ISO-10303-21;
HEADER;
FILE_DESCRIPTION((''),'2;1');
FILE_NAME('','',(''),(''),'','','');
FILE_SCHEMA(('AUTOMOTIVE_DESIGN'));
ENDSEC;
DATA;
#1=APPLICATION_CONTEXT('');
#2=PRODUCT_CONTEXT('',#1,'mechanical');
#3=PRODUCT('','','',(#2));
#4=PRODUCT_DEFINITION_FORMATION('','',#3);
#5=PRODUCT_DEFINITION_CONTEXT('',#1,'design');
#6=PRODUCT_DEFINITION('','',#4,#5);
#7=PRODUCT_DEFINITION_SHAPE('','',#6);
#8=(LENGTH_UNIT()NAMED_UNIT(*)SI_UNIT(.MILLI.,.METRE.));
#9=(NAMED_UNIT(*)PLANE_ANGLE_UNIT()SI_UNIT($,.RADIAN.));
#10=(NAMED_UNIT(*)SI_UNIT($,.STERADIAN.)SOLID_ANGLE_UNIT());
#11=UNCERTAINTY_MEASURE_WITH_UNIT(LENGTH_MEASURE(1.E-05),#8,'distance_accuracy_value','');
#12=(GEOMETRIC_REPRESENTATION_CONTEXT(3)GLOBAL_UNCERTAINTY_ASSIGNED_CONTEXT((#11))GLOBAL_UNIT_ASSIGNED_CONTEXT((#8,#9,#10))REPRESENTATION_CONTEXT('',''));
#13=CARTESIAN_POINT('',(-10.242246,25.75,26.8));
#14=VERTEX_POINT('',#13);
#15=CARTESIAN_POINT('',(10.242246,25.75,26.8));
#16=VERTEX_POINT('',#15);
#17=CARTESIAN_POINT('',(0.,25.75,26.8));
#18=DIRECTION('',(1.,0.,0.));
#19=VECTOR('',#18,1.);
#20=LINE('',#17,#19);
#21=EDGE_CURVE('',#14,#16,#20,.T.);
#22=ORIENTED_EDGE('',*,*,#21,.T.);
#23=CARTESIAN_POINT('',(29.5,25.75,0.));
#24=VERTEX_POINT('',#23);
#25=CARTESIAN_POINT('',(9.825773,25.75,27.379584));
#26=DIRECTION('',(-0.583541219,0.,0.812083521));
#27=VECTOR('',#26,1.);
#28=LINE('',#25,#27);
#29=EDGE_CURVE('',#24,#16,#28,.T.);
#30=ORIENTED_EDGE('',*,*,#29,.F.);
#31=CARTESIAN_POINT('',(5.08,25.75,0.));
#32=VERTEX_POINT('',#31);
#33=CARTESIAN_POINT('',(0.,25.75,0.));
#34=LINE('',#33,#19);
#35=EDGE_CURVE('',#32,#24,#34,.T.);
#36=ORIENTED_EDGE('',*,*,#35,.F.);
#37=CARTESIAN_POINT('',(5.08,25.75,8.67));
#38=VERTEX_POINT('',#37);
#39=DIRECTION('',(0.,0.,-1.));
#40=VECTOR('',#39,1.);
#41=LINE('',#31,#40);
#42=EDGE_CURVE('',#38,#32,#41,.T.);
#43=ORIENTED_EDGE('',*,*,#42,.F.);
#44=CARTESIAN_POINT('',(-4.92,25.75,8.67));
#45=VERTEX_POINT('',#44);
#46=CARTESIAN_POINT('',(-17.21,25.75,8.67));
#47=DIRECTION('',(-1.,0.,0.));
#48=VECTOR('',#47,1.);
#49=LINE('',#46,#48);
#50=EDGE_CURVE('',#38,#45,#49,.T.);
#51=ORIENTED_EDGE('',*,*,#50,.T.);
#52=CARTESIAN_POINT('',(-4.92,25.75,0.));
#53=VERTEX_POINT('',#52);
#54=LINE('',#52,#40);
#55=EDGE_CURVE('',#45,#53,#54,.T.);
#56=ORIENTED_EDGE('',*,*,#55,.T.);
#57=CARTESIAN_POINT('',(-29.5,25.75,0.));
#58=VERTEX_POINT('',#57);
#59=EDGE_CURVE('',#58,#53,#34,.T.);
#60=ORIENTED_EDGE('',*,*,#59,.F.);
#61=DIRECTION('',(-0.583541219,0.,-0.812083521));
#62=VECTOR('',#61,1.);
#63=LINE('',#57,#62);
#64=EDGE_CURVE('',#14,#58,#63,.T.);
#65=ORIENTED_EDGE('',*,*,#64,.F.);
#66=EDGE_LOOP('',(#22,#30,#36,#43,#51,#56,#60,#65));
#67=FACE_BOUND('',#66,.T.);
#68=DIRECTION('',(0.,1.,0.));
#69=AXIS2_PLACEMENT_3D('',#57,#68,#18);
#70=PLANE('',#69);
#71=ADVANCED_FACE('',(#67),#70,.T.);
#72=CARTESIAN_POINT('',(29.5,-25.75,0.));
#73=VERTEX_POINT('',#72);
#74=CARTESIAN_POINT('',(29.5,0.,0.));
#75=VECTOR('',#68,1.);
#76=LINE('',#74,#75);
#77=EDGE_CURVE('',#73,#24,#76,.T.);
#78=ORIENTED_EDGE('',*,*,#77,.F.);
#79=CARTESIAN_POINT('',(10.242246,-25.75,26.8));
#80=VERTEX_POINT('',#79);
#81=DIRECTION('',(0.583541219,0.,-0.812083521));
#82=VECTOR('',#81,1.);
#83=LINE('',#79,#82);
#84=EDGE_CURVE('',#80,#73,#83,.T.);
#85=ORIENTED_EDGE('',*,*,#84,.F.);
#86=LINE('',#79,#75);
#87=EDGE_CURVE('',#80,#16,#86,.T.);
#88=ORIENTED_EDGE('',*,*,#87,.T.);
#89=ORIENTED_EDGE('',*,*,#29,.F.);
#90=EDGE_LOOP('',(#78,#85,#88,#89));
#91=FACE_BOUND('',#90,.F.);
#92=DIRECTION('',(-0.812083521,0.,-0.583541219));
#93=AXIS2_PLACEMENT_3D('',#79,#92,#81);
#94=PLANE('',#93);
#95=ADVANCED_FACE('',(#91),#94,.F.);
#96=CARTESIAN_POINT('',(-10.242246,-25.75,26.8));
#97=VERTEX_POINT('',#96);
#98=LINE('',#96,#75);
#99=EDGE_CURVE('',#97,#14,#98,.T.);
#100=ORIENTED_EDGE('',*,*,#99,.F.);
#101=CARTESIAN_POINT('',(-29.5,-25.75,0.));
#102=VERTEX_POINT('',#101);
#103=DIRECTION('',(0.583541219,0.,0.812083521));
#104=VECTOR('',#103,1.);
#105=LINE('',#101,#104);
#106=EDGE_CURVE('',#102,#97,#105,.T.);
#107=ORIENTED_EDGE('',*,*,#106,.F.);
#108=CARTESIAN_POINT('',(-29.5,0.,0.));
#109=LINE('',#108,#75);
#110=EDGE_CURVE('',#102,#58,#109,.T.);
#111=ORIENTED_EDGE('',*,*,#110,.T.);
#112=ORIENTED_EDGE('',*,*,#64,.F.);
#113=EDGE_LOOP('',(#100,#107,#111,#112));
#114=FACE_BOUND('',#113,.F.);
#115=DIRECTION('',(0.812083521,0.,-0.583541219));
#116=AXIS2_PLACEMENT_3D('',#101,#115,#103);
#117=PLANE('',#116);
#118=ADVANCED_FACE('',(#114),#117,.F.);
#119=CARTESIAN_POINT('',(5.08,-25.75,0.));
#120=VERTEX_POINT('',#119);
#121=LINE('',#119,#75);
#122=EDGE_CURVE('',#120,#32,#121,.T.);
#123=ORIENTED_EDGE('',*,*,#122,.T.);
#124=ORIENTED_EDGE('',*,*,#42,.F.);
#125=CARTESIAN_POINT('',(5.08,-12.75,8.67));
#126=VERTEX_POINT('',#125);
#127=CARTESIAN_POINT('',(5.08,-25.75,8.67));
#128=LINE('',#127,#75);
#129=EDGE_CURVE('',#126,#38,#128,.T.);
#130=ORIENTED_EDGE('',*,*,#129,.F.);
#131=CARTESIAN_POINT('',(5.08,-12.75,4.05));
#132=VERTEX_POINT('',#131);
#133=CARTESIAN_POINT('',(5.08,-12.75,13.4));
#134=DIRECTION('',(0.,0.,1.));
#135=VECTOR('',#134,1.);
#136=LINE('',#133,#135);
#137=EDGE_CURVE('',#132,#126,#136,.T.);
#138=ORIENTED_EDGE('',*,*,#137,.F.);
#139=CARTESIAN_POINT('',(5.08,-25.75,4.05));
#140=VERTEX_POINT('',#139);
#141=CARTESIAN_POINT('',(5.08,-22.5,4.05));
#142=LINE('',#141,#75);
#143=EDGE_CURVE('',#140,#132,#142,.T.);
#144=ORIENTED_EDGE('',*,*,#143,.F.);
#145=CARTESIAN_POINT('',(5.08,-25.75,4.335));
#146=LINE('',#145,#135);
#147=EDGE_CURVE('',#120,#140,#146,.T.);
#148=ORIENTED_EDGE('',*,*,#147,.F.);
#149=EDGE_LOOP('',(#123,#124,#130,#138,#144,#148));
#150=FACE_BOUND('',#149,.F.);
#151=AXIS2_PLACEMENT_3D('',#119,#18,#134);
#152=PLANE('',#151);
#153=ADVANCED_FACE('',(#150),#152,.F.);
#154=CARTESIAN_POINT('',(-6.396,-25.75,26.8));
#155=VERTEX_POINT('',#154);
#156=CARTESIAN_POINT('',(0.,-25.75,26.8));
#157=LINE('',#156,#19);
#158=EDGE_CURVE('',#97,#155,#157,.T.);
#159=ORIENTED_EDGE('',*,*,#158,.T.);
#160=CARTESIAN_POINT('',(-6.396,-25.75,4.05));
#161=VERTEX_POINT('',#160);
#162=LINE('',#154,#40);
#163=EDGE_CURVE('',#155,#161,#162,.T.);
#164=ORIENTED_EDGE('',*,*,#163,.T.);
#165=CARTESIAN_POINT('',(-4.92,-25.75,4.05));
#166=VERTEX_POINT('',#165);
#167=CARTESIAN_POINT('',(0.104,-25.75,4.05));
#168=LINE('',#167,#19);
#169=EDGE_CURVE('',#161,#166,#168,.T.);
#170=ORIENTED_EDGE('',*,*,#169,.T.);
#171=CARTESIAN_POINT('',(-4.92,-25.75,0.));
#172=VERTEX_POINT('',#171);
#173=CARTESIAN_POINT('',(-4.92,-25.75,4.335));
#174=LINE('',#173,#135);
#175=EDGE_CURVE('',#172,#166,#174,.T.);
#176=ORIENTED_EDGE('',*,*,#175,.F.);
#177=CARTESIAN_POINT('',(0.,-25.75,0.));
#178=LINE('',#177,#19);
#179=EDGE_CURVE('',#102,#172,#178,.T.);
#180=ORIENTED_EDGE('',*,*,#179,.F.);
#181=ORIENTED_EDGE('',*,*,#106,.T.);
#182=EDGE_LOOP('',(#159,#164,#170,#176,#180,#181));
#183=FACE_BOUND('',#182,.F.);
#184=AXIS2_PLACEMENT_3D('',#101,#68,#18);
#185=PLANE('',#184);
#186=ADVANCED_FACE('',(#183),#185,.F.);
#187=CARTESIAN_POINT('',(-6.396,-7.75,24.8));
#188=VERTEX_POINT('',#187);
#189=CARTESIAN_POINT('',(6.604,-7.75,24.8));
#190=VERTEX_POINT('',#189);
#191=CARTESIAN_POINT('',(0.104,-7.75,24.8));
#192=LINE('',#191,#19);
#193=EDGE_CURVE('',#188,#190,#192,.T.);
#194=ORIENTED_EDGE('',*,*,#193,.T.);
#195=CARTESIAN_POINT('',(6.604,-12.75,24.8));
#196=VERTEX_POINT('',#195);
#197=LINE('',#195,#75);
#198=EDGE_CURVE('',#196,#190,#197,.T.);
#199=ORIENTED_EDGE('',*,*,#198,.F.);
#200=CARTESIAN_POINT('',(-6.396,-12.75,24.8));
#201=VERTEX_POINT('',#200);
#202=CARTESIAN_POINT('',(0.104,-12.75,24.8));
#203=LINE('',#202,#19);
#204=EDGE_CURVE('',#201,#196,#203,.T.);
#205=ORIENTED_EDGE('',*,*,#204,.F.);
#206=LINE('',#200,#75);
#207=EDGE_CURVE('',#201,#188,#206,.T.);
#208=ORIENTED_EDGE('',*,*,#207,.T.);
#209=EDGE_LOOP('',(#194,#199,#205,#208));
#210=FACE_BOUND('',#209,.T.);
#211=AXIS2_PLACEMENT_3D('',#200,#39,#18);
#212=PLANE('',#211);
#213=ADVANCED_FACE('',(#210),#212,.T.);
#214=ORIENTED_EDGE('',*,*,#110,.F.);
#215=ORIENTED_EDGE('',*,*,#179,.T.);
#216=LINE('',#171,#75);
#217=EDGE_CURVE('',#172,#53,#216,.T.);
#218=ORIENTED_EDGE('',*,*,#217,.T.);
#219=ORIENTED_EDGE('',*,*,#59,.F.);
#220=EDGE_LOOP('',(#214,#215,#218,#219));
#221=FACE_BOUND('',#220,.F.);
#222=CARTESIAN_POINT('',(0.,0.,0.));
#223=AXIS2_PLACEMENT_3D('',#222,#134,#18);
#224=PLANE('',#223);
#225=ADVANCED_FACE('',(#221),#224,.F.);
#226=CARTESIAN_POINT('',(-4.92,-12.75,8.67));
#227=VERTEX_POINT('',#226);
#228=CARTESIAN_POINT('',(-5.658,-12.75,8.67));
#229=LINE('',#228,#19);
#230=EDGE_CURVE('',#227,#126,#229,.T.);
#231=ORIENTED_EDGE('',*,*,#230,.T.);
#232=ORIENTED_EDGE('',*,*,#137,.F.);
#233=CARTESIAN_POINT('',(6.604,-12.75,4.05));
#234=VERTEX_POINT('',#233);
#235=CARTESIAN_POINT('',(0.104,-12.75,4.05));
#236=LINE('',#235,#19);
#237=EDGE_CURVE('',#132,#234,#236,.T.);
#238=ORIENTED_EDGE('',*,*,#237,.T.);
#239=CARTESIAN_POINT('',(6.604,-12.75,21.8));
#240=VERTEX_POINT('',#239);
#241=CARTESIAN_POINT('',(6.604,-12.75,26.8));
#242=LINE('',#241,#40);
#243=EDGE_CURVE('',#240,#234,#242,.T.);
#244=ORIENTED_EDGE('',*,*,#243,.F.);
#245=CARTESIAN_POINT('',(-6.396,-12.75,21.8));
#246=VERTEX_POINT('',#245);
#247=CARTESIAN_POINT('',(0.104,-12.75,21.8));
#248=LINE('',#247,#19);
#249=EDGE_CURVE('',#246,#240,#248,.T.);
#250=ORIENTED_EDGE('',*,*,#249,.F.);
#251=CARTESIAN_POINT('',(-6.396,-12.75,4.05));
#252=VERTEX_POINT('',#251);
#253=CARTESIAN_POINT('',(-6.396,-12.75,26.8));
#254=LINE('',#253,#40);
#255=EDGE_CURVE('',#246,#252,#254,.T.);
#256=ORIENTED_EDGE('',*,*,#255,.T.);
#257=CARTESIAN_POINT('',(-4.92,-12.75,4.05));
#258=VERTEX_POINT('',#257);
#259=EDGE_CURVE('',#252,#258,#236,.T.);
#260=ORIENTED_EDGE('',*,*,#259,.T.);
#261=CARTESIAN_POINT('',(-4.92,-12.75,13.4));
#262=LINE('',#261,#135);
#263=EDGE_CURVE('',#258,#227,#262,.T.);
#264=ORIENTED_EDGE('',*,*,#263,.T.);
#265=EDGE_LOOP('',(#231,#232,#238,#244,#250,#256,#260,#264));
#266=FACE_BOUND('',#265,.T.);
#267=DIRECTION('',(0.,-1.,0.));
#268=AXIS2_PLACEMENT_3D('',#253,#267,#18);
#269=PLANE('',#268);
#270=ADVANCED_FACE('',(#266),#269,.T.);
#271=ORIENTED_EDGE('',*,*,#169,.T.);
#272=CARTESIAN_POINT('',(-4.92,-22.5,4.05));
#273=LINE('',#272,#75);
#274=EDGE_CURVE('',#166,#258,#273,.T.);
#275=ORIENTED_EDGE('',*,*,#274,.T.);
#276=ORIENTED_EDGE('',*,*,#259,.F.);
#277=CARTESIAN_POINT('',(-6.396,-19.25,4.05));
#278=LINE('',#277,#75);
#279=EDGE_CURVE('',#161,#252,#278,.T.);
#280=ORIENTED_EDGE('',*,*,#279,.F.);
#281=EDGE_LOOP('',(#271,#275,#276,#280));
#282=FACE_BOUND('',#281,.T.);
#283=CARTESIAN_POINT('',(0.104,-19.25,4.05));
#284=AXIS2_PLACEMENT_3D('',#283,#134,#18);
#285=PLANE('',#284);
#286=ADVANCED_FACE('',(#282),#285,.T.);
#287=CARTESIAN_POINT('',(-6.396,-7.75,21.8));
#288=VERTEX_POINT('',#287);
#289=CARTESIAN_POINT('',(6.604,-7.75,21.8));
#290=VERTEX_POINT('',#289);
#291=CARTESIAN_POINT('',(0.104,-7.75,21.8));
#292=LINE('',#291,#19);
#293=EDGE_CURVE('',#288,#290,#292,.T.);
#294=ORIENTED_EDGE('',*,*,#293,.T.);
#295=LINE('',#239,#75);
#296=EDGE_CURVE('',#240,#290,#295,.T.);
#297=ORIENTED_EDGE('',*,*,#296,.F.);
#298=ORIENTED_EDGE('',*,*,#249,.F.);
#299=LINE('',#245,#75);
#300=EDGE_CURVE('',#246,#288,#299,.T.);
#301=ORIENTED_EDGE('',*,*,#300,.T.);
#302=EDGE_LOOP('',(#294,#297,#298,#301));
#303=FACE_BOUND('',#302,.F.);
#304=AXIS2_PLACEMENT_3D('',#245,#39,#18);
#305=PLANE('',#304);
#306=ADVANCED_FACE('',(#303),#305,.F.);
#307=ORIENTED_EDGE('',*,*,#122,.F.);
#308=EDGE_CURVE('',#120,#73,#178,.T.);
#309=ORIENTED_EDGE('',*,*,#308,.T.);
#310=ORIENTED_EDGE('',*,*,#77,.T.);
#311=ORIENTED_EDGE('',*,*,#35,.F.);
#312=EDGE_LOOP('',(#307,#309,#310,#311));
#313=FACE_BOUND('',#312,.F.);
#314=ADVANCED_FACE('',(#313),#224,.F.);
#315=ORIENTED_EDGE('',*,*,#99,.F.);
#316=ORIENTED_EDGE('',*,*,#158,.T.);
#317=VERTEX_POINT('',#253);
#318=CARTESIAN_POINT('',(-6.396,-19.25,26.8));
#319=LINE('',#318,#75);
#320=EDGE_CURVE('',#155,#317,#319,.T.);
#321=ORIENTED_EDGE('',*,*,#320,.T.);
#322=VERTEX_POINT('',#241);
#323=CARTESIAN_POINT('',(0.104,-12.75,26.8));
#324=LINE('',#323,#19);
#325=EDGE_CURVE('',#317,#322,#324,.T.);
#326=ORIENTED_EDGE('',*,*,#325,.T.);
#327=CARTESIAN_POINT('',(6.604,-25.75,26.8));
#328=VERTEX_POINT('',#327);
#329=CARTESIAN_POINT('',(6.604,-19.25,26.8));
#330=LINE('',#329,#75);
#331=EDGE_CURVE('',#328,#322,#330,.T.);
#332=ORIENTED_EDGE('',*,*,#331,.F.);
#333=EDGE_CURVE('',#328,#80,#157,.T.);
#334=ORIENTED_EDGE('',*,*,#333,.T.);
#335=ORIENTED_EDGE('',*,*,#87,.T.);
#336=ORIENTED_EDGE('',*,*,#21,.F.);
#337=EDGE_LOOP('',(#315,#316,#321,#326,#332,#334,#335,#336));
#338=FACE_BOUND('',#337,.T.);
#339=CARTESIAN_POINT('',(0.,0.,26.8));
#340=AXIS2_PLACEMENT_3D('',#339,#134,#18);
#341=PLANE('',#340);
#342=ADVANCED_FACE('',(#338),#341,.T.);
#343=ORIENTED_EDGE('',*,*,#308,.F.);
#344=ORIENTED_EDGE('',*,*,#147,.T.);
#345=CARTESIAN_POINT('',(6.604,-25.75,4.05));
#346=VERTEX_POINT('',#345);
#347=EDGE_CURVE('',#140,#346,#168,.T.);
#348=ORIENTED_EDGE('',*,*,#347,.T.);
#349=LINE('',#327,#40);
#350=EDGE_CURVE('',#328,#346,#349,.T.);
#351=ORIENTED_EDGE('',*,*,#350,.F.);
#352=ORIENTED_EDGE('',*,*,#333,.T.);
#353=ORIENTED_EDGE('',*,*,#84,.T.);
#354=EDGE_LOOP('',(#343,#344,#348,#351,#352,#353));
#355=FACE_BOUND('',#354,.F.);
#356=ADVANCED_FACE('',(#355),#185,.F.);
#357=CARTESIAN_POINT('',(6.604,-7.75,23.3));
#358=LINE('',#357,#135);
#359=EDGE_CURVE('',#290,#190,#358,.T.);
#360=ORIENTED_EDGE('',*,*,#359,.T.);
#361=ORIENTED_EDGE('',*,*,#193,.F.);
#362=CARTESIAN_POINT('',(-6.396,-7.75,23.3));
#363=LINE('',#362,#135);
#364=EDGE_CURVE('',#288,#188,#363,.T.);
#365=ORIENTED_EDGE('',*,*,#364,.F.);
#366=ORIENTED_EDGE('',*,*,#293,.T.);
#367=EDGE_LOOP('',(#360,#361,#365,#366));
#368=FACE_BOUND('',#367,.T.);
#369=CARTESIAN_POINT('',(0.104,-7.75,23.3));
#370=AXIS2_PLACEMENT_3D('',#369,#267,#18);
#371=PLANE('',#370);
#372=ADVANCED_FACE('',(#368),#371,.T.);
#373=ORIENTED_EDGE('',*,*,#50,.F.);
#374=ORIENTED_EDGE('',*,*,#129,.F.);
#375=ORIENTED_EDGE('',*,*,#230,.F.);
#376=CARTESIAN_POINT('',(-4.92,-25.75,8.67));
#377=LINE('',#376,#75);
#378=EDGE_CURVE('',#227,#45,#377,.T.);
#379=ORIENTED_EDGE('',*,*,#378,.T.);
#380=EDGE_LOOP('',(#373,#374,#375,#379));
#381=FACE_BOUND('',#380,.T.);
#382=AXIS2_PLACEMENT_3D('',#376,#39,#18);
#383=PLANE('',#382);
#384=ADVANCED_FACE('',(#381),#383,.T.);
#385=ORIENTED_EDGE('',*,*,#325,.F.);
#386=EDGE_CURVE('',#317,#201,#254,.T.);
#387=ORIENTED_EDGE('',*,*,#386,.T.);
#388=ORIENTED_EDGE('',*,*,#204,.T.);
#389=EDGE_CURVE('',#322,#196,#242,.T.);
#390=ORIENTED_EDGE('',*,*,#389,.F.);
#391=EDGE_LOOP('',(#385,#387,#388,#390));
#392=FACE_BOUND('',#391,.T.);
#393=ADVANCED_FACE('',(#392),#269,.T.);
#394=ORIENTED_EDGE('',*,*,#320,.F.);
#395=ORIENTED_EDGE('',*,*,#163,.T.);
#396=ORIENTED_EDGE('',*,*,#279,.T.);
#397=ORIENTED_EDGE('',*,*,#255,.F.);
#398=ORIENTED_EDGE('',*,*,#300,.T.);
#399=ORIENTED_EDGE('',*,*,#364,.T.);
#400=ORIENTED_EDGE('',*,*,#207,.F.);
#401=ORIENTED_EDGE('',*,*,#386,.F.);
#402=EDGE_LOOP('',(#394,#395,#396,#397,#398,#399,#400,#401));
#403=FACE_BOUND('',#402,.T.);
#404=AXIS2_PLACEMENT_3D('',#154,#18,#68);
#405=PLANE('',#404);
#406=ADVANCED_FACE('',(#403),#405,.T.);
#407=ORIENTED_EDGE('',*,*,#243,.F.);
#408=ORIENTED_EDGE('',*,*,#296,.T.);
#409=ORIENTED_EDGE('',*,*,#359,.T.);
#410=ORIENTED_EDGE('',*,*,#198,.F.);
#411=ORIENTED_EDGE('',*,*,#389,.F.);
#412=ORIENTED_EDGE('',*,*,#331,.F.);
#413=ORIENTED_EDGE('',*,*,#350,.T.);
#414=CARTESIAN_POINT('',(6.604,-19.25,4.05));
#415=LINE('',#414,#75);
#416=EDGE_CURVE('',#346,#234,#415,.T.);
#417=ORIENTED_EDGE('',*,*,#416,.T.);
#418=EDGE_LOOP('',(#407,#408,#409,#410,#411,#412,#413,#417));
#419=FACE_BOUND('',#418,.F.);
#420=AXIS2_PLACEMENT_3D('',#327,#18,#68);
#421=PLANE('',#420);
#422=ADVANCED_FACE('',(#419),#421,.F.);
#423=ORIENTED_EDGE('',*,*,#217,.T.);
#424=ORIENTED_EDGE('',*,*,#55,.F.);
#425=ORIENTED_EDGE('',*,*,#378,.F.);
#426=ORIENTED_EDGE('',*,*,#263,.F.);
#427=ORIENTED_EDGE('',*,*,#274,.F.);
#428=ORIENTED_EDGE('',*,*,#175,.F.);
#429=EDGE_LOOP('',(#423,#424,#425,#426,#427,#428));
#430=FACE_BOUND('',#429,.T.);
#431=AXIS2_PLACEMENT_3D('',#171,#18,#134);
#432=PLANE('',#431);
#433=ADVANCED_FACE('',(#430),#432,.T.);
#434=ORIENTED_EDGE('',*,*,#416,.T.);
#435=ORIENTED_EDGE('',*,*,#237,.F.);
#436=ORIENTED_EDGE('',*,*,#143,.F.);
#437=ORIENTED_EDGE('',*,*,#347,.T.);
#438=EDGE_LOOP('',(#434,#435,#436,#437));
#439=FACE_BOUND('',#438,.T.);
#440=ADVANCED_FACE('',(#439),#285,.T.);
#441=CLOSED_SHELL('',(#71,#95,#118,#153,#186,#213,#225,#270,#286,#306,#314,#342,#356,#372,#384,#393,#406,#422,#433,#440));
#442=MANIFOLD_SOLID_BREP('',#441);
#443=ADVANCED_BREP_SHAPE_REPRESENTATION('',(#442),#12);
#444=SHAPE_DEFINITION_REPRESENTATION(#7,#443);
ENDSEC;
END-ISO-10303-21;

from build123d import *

# Parameters (mm, degrees)
F0_W      = 59
F0_H      = 51.5
F1_DEPTH  = 26.8
F3_DEPTH  = 51.501
F4_W      = 13
F4_H      = 13
F5_DEPTH  = 22.75
F6_W      = 13
F6_H      = 3
F7_DEPTH  = 5
F9_W      = 10
F9_H      = 8.67
F10_DEPTH = 51.501


with BuildPart() as f1:
    # F0 (on Top) → F1 (new body)
    with BuildSketch(Plane.XY):
        Rectangle(F0_W, F0_H)
    extrude(amount=F1_DEPTH)

    # F2 (on face) → F3 (cut, through all)
    with BuildSketch(Plane.XZ.offset(25.75)):
        Polygon((10.242246, 26.8), (29.5, 0), (29.5, 26.8), align=None)
        Polygon((-29.5, 26.8), (-29.5, 0), (-10.242246, 26.8), align=None)
    extrude(amount=-F3_DEPTH, mode=Mode.SUBTRACT)

    # F4 (on face) → F5 (cut)
    with BuildSketch(Plane.XY.offset(26.8)):
        with Locations((0.104, -19.25)):
            Rectangle(F4_W, F4_H)
    extrude(amount=-F5_DEPTH, mode=Mode.SUBTRACT)

    # F6 (on face) → F7 (cut)
    with BuildSketch(Plane.XZ.offset(12.75)):
        with Locations((0.104, 23.3)):
            Rectangle(F6_W, F6_H)
    extrude(amount=-F7_DEPTH, mode=Mode.SUBTRACT)

    # F9 (on face) → F10 (cut, through all)
    with BuildSketch(Plane.XZ.offset(25.75)):
        with Locations((0.08, 4.335)):
            Rectangle(F9_W, F9_H)
    extrude(amount=-F10_DEPTH, mode=Mode.SUBTRACT)


solid = f1.part
